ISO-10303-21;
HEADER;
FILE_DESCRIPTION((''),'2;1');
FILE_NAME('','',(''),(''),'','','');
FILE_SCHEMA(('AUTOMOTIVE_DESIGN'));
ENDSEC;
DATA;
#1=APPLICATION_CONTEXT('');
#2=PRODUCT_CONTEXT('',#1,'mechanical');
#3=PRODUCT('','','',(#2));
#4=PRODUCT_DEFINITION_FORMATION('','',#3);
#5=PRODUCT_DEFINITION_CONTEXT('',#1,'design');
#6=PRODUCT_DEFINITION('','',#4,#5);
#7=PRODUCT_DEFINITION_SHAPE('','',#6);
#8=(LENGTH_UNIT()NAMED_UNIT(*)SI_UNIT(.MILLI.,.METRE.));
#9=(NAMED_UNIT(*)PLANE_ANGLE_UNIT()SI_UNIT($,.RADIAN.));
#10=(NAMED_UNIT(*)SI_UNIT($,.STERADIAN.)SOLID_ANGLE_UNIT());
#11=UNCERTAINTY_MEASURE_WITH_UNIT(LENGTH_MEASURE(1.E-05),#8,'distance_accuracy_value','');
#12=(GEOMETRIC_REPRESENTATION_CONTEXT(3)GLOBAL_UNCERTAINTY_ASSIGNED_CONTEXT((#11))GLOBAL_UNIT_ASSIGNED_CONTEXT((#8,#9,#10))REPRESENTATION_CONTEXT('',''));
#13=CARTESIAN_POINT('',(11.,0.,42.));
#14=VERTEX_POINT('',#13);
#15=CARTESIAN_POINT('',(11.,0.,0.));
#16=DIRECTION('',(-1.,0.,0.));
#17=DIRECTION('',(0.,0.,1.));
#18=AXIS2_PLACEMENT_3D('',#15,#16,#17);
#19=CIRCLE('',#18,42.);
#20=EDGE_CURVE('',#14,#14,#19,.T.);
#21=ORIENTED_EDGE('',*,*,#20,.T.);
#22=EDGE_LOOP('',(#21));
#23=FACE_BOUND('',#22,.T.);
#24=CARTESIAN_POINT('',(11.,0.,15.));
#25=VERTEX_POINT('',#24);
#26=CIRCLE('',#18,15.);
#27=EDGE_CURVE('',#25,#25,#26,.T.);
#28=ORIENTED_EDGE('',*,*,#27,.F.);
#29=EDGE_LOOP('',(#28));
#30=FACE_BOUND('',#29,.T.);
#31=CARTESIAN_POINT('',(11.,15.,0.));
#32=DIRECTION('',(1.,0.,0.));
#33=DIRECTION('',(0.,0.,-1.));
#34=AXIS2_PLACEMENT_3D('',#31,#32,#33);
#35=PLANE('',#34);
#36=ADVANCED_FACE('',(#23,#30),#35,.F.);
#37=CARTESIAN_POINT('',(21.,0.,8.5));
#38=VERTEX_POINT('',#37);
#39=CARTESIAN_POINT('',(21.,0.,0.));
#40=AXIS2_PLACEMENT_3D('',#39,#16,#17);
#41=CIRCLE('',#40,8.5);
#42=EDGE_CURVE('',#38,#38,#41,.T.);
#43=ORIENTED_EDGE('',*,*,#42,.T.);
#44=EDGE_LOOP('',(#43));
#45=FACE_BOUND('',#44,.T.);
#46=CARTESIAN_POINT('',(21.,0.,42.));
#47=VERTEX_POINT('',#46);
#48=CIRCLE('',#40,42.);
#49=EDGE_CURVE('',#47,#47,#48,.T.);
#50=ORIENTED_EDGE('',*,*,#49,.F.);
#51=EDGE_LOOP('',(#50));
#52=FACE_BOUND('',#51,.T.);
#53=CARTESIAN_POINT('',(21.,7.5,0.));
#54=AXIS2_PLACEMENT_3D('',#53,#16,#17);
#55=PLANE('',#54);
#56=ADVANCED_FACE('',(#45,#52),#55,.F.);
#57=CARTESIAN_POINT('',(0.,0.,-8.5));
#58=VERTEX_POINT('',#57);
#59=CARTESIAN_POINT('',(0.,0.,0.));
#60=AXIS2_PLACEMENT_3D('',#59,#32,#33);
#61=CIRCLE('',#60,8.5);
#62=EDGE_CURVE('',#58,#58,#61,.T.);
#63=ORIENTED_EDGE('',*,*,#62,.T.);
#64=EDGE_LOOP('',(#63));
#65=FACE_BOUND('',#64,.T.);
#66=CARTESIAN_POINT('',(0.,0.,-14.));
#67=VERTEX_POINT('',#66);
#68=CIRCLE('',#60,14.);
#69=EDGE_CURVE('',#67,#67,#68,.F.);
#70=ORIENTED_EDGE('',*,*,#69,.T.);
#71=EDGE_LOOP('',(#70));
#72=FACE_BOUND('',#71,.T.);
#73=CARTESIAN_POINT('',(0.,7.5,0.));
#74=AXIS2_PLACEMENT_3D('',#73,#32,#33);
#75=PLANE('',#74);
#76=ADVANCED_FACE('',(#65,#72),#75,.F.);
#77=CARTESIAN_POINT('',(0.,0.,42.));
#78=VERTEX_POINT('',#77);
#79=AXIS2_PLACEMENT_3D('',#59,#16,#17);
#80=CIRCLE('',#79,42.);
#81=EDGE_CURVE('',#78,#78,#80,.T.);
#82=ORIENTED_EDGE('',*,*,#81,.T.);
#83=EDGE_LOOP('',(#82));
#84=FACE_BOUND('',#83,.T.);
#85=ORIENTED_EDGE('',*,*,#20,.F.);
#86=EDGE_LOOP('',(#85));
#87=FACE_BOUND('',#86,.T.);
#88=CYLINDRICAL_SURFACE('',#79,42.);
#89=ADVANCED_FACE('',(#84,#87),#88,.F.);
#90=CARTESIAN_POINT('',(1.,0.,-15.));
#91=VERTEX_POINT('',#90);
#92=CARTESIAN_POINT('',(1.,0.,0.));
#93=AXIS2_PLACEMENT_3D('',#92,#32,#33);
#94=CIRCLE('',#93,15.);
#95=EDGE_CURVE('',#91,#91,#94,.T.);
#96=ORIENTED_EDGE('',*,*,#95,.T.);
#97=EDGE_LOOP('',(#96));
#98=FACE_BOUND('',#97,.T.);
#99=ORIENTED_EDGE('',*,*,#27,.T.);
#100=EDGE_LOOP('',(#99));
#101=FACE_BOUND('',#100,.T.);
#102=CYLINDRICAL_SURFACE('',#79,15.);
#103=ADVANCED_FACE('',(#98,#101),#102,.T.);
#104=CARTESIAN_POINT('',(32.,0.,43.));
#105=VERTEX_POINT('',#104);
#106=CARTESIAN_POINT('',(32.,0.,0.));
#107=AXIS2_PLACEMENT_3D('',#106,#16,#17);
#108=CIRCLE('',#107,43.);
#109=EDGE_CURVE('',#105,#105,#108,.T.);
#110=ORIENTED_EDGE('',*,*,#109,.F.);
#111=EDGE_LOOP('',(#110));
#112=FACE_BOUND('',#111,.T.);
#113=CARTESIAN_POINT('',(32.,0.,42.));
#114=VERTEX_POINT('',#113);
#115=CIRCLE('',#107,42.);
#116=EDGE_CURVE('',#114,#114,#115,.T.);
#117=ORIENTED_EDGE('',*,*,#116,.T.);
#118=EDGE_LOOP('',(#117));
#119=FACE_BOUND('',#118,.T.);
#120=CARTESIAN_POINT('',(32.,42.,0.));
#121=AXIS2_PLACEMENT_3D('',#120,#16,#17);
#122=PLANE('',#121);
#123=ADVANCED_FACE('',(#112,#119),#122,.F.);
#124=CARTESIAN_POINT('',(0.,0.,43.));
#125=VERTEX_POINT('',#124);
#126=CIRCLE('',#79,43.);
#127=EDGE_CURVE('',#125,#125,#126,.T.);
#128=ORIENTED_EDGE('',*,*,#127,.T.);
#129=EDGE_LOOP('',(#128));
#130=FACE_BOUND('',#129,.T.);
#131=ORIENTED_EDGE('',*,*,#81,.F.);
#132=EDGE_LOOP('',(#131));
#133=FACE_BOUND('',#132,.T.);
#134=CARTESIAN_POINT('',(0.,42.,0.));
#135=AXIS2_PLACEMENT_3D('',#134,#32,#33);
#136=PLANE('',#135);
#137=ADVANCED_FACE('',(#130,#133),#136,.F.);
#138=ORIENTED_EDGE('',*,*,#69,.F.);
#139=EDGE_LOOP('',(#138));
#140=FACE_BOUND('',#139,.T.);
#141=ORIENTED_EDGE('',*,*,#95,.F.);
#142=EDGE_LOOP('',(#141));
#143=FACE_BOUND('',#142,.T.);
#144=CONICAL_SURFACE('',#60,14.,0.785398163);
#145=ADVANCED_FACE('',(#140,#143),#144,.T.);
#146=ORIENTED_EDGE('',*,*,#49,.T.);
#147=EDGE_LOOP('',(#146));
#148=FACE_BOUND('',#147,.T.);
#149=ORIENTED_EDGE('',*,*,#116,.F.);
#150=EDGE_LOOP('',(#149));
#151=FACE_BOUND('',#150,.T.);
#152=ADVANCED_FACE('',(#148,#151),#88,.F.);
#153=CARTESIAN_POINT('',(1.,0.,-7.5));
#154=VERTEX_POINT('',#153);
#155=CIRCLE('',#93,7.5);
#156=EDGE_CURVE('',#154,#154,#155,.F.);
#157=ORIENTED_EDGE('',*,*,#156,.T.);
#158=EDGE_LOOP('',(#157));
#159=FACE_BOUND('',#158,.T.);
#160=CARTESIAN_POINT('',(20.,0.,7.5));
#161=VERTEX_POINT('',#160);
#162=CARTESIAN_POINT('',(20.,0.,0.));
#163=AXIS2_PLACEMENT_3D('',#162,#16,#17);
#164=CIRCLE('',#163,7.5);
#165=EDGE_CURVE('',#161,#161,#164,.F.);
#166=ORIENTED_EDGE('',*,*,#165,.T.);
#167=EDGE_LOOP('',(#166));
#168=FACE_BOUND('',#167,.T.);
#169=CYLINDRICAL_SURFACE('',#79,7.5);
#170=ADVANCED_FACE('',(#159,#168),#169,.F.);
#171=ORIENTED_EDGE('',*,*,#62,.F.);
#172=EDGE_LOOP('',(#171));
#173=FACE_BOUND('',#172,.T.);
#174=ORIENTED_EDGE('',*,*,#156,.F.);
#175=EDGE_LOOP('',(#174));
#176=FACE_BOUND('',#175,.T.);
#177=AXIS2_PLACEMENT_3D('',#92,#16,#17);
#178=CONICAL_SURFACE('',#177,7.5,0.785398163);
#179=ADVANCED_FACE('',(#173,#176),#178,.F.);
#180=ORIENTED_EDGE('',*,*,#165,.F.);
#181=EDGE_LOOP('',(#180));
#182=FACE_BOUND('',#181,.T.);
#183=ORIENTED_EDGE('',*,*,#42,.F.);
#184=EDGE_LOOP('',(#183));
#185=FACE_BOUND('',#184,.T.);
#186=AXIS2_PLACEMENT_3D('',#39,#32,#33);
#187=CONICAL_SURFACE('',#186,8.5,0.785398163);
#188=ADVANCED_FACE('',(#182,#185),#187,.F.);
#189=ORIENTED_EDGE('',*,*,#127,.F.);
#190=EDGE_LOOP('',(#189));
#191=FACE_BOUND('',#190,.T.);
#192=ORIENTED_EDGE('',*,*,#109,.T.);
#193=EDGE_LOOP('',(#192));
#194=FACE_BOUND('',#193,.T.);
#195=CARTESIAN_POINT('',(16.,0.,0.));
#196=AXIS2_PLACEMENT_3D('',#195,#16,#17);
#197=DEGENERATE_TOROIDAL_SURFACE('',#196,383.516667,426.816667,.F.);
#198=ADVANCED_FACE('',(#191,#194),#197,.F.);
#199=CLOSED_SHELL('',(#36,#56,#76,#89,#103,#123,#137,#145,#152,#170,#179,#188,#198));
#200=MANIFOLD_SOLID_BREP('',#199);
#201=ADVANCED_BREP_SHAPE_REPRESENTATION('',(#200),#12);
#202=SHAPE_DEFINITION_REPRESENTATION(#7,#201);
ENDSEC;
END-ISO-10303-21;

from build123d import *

# Parameters (mm, degrees)
CHAMFER_2_SIZE = 1


with BuildPart() as part:
    # Эскиз1 → Повернуть1 (revolve)
    with BuildSketch(Plane.XY):
        with BuildLine():
            Line((0, 7.5), (0, 15))
            Line((0, 15), (11, 15))
            Line((11, 15), (11, 42))
            Line((11, 42), (0, 42))
            Line((0, 42), (0, 43))
            ThreePointArc((0, 43), (16, 43.3), (32, 43))
            Line((32, 43), (32, 42))
            Line((32, 42), (21, 42))
            Line((21, 42), (21, 7.5))
            Line((21, 7.5), (0, 7.5))
        make_face()
    revolve(axis=Axis((0, 0, 0), (1, 0, 0)))

    # Фаска2
    chamfer_2_edges = [part.edges().sort_by_distance(p)[0] for p in [
        (0, -15, 0),
        (0, -7.5, 0),
        (21, -7.5, 0),
    ]]
    chamfer(chamfer_2_edges, length=CHAMFER_2_SIZE)


solid = part.part
